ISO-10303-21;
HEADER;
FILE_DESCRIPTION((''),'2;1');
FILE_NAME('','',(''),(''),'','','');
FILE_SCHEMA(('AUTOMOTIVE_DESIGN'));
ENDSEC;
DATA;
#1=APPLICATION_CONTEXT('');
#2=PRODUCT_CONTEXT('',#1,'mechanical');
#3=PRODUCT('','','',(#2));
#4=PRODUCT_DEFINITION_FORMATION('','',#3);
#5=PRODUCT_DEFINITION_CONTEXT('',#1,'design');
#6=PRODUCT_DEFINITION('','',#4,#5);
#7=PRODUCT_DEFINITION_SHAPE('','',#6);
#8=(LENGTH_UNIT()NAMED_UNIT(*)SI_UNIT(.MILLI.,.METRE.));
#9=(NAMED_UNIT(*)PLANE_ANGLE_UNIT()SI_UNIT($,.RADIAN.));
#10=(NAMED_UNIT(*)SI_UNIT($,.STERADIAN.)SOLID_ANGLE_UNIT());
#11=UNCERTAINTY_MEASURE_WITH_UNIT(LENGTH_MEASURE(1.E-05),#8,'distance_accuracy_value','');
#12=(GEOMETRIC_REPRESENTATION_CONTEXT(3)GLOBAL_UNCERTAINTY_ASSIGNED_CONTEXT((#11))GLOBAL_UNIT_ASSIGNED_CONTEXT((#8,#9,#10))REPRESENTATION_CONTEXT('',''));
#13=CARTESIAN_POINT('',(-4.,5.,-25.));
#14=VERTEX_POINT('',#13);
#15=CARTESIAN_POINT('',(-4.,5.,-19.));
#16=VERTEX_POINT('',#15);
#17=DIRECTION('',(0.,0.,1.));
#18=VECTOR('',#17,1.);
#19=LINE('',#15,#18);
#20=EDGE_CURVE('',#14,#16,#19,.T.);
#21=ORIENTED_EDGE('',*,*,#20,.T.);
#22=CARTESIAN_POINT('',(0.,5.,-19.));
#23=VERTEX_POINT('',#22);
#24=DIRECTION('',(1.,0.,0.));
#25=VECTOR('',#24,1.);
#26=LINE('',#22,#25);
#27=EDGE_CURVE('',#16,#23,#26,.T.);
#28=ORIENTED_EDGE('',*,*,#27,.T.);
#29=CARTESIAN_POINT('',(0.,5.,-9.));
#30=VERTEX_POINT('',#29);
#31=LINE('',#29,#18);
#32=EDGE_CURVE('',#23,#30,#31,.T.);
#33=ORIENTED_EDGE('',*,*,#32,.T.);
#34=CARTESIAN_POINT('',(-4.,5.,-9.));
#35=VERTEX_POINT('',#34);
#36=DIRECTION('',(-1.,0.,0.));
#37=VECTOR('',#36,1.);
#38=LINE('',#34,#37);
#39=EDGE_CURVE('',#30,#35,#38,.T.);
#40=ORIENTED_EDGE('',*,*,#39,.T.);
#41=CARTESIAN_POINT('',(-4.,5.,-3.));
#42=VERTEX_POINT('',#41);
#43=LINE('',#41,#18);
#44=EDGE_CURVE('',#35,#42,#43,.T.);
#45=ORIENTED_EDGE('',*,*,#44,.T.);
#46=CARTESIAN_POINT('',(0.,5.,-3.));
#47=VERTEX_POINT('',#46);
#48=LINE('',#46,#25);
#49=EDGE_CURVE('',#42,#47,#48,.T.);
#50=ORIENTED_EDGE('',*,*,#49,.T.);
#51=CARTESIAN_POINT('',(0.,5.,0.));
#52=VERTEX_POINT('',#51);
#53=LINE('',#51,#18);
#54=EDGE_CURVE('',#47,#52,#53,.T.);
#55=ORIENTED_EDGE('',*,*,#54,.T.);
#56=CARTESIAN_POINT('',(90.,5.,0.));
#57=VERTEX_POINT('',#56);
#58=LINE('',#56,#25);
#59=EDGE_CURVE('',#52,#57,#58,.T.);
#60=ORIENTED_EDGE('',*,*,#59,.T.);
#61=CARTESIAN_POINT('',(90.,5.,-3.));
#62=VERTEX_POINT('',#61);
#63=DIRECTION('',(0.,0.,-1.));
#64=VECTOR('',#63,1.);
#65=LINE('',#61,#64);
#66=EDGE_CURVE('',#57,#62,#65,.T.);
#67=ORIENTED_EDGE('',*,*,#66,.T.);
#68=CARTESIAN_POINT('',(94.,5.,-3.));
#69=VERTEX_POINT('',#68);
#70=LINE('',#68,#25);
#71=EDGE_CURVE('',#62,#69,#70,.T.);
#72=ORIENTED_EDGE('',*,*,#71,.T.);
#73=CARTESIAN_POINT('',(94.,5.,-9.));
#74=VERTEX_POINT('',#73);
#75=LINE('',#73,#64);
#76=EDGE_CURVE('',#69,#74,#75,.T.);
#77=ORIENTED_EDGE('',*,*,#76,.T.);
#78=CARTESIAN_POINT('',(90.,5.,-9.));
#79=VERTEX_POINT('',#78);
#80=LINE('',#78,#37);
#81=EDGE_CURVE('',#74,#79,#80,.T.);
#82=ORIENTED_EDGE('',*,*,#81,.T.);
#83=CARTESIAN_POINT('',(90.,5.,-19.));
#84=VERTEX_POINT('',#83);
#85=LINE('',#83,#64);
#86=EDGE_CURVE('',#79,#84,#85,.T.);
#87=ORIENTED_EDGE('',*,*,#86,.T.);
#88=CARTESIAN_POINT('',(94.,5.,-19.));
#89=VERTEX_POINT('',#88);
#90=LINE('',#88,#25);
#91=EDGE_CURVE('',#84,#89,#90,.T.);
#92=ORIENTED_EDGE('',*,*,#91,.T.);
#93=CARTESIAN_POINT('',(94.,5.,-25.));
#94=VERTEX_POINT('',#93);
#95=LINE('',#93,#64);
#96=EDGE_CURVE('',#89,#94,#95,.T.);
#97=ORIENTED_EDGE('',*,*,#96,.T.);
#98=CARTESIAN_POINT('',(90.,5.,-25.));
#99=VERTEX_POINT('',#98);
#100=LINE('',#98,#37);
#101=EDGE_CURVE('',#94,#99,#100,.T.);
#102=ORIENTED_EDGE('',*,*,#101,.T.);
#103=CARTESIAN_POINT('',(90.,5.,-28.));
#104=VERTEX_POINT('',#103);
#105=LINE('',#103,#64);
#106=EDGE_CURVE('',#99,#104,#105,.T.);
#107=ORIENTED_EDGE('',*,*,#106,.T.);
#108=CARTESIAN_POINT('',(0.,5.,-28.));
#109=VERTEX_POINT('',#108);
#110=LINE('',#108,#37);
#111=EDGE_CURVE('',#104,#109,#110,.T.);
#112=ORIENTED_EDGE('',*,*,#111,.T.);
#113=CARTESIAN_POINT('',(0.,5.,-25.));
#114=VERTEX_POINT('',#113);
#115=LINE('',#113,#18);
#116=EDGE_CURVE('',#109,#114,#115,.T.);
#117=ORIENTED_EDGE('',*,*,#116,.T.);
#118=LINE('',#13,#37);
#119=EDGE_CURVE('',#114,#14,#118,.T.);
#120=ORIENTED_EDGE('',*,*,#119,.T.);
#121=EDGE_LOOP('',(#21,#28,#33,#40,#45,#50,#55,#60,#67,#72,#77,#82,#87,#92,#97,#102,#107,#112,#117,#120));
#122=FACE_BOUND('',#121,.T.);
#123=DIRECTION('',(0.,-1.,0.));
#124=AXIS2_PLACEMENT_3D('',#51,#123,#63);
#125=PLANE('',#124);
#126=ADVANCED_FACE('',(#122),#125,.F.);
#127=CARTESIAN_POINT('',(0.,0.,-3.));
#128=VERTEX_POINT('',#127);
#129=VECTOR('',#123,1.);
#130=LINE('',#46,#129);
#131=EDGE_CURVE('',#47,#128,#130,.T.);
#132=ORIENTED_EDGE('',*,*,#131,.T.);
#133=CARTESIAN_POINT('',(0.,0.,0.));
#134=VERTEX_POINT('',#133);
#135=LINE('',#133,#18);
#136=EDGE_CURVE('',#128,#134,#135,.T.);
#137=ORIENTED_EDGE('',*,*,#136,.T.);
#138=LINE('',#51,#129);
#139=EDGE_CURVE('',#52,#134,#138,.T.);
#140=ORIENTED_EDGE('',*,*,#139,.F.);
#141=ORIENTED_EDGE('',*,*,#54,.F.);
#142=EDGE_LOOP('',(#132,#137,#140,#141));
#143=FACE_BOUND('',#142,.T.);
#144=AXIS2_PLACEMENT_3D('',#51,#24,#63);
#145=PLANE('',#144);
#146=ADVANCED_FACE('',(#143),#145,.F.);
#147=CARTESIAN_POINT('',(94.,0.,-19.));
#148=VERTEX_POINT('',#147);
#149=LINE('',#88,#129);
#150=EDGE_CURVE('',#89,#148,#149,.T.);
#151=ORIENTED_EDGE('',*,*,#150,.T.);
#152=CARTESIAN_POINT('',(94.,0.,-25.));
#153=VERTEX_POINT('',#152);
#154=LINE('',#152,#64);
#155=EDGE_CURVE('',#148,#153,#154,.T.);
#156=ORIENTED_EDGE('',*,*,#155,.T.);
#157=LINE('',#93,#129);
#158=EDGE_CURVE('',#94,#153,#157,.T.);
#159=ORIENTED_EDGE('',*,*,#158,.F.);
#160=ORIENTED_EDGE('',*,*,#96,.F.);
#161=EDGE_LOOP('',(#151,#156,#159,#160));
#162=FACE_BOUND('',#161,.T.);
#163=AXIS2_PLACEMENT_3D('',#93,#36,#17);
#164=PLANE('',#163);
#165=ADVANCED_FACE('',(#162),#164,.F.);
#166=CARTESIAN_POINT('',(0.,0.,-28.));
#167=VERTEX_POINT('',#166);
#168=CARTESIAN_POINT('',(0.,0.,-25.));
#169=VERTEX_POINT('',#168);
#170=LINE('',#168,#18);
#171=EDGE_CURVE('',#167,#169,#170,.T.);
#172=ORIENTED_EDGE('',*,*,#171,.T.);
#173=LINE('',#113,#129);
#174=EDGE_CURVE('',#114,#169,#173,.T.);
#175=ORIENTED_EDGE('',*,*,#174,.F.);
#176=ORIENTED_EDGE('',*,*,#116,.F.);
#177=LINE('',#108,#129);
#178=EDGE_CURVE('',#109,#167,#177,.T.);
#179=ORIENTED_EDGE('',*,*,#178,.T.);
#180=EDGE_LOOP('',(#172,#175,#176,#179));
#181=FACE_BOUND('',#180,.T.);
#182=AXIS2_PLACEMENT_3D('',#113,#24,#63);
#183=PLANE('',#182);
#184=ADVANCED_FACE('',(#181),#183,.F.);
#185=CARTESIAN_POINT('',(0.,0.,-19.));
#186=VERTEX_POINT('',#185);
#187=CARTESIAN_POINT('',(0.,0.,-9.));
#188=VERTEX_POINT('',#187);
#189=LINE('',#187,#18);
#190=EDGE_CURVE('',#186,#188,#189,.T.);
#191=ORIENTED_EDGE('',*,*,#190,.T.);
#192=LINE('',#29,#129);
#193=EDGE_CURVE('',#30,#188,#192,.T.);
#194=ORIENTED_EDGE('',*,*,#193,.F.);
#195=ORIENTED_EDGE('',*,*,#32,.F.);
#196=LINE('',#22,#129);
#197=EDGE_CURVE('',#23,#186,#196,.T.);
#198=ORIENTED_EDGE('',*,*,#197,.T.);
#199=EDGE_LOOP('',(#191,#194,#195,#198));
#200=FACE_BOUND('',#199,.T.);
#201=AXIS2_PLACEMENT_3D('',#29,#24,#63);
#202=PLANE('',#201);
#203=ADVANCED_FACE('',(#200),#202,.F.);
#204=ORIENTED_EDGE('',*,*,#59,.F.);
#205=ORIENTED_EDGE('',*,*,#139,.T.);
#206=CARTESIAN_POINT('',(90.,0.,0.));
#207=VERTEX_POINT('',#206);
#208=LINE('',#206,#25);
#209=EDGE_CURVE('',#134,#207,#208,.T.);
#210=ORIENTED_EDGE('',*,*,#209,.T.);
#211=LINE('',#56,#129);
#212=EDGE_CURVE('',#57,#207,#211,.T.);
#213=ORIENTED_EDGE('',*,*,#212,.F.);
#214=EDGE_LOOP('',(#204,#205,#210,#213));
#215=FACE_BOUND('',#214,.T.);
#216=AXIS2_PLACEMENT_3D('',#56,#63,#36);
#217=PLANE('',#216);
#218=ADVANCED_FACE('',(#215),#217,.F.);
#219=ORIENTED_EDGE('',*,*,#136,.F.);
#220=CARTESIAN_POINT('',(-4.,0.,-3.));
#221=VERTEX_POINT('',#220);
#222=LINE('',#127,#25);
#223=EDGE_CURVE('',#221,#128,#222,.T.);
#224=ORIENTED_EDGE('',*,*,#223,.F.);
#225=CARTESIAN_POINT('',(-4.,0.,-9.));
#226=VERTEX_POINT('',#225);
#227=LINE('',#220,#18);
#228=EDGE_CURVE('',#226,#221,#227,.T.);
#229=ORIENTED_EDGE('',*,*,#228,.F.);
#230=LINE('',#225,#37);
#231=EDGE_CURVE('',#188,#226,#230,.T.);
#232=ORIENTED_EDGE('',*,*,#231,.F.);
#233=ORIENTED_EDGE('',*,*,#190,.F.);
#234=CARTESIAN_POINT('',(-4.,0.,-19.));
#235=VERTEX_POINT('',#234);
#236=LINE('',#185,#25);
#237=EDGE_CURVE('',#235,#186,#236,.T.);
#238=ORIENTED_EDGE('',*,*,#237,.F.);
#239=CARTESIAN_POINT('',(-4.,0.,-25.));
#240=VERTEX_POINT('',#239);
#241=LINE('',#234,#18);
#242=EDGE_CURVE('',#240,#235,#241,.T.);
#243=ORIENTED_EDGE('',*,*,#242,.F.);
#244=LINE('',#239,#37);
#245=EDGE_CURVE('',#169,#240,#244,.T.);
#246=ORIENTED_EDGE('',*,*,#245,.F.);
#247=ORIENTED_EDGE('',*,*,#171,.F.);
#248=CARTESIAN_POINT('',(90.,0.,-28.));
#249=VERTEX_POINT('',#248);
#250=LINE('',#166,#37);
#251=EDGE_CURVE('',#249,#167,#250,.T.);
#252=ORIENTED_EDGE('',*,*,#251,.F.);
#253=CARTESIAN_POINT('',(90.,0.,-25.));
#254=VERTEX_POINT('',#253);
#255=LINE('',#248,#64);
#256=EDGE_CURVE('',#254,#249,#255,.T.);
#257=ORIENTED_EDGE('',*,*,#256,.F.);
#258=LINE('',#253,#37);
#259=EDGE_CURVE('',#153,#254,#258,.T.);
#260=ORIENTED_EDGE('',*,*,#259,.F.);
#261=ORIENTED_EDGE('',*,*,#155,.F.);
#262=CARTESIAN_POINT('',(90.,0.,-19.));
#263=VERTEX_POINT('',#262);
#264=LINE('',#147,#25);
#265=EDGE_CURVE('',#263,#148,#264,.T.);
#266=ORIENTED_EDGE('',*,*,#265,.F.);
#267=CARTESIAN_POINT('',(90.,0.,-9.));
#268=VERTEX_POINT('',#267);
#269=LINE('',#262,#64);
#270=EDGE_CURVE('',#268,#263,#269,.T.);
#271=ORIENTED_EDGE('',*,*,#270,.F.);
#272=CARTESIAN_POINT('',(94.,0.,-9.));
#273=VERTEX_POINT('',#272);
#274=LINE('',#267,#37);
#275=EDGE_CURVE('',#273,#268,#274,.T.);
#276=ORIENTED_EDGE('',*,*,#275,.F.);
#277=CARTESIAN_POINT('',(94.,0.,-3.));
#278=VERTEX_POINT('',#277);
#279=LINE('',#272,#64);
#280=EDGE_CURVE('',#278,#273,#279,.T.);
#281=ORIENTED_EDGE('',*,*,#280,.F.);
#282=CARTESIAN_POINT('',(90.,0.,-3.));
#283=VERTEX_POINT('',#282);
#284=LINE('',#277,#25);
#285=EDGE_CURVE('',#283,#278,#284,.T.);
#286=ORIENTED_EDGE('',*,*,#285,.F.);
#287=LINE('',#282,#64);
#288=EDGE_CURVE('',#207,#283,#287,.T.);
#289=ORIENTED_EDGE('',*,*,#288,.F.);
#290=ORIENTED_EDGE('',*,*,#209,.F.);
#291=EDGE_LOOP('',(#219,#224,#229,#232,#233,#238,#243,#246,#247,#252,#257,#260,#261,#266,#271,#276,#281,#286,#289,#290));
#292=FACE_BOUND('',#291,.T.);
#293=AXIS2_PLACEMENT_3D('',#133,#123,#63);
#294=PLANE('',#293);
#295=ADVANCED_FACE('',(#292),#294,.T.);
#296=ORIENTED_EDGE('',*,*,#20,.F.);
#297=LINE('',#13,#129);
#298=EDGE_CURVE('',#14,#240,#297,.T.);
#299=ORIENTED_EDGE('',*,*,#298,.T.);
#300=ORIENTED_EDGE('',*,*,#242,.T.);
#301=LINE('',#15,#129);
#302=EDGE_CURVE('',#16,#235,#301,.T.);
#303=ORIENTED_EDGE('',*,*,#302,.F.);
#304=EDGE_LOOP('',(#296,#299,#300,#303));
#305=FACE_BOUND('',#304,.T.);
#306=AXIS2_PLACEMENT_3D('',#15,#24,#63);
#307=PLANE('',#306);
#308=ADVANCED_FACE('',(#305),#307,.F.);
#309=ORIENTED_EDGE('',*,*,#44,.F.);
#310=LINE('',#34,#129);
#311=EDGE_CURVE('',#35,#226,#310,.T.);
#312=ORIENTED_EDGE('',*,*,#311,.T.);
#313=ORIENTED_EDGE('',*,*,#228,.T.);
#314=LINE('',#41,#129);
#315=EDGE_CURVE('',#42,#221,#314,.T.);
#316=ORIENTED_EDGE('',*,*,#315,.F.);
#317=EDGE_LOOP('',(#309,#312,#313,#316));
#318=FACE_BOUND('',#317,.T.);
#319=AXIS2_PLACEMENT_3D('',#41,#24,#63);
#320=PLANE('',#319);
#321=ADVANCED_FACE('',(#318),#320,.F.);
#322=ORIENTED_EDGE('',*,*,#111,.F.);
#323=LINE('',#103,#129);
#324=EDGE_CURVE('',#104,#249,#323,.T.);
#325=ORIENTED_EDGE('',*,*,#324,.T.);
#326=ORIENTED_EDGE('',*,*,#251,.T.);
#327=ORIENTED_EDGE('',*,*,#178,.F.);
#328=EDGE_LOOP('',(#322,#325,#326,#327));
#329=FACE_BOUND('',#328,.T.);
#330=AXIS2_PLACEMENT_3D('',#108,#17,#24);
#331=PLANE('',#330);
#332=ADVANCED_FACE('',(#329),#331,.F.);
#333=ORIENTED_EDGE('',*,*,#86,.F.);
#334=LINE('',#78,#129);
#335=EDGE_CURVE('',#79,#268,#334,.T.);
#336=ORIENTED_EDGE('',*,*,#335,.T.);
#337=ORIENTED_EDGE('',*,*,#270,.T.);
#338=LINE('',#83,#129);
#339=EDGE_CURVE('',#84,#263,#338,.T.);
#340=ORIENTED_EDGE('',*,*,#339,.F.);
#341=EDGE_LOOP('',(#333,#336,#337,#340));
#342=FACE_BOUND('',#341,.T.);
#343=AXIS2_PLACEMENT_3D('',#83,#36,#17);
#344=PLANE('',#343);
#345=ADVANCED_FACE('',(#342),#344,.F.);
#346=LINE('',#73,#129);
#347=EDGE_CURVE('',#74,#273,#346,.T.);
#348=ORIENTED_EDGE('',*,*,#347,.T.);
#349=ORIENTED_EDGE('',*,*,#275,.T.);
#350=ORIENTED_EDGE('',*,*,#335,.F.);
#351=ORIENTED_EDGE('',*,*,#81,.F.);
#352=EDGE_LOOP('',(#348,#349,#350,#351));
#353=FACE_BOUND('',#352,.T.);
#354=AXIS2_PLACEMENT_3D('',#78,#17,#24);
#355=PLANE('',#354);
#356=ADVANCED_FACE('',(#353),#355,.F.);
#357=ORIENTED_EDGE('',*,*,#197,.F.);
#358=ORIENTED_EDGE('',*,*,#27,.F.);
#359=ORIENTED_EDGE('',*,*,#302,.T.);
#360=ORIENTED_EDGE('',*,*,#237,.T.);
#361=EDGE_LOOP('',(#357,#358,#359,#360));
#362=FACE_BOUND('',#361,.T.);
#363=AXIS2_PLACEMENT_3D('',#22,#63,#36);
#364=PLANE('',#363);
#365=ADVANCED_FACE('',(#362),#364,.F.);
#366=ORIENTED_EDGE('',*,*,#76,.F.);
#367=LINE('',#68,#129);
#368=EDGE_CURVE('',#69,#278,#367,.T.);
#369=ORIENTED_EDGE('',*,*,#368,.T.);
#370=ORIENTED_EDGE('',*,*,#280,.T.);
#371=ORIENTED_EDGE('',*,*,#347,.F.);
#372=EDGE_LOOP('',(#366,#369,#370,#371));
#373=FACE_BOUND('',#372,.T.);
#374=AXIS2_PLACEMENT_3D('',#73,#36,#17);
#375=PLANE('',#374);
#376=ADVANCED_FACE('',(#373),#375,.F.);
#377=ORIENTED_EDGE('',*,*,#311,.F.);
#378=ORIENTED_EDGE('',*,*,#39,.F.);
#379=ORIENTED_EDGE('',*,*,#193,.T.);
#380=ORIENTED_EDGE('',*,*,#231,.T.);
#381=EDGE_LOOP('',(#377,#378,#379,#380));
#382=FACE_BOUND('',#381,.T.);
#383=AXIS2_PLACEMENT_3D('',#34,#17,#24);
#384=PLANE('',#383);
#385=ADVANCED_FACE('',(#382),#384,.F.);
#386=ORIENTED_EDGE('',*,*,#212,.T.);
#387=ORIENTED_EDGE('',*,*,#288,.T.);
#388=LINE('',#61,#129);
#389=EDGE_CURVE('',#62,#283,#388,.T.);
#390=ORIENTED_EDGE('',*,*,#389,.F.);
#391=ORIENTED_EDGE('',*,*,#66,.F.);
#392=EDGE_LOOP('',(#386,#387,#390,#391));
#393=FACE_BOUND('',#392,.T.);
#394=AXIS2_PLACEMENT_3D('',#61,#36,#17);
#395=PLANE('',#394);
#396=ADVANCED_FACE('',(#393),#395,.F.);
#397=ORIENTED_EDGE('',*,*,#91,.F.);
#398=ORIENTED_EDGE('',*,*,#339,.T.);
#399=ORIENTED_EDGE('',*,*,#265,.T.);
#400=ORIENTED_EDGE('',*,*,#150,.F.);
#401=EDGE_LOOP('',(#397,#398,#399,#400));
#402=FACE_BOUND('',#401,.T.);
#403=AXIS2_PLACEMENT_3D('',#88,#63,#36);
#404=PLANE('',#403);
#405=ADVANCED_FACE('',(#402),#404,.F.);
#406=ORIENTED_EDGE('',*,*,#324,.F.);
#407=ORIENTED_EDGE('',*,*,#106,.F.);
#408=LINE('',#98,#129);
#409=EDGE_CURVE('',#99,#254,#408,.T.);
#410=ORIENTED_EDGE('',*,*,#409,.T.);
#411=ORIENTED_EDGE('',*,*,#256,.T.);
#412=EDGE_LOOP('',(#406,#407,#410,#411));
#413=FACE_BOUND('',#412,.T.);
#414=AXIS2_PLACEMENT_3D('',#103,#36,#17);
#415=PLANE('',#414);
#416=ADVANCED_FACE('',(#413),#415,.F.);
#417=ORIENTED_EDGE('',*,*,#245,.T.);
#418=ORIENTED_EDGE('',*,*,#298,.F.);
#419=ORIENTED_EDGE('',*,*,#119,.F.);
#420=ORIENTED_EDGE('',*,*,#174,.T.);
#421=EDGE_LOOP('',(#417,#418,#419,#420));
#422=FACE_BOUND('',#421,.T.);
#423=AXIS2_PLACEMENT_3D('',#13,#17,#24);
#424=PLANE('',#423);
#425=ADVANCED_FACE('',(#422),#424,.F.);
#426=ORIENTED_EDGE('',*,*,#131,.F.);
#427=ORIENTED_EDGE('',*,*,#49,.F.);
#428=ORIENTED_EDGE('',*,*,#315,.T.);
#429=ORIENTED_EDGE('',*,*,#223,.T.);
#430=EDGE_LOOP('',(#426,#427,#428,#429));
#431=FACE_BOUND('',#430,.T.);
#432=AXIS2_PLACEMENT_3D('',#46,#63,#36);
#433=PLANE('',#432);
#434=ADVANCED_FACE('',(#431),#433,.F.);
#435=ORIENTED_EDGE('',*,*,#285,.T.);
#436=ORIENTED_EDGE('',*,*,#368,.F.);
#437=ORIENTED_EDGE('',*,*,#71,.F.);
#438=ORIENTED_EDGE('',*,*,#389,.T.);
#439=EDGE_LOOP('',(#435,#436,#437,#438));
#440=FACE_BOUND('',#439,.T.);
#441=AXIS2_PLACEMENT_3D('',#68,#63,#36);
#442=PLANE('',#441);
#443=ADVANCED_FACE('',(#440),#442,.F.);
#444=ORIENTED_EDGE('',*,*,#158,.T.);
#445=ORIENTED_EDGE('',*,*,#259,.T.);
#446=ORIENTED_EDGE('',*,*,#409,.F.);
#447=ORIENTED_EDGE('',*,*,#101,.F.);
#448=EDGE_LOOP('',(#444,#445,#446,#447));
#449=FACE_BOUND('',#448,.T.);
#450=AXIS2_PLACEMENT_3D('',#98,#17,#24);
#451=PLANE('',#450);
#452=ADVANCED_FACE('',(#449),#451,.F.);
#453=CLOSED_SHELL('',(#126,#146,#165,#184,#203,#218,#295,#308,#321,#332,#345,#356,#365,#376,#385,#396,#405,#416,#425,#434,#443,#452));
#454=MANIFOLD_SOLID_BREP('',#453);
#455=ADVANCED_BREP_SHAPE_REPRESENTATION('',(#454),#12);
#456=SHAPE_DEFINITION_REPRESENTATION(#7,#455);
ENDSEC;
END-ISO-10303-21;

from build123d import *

# Parameters (mm, degrees)
BOSS_EXTRUDE1_DEPTH = 5


with BuildPart() as part:
    # Sketch1 → Boss-Extrude1 (new body)
    with BuildSketch(Plane(origin=(0, 0, 0), x_dir=(1, 0, 0), z_dir=(0, 1, 0))):
        Polygon((0, 0), (0, 3), (-4, 3), (-4, 9), (0, 9), (0, 19), (-4, 19), (-4, 25), (0, 25), (0, 28), (90, 28), (90, 25), (94, 25), (94, 19), (90, 19), (90, 9), (94, 9), (94, 3), (90, 3), (90, 0), align=None)
    extrude(amount=BOSS_EXTRUDE1_DEPTH)


solid = part.part
